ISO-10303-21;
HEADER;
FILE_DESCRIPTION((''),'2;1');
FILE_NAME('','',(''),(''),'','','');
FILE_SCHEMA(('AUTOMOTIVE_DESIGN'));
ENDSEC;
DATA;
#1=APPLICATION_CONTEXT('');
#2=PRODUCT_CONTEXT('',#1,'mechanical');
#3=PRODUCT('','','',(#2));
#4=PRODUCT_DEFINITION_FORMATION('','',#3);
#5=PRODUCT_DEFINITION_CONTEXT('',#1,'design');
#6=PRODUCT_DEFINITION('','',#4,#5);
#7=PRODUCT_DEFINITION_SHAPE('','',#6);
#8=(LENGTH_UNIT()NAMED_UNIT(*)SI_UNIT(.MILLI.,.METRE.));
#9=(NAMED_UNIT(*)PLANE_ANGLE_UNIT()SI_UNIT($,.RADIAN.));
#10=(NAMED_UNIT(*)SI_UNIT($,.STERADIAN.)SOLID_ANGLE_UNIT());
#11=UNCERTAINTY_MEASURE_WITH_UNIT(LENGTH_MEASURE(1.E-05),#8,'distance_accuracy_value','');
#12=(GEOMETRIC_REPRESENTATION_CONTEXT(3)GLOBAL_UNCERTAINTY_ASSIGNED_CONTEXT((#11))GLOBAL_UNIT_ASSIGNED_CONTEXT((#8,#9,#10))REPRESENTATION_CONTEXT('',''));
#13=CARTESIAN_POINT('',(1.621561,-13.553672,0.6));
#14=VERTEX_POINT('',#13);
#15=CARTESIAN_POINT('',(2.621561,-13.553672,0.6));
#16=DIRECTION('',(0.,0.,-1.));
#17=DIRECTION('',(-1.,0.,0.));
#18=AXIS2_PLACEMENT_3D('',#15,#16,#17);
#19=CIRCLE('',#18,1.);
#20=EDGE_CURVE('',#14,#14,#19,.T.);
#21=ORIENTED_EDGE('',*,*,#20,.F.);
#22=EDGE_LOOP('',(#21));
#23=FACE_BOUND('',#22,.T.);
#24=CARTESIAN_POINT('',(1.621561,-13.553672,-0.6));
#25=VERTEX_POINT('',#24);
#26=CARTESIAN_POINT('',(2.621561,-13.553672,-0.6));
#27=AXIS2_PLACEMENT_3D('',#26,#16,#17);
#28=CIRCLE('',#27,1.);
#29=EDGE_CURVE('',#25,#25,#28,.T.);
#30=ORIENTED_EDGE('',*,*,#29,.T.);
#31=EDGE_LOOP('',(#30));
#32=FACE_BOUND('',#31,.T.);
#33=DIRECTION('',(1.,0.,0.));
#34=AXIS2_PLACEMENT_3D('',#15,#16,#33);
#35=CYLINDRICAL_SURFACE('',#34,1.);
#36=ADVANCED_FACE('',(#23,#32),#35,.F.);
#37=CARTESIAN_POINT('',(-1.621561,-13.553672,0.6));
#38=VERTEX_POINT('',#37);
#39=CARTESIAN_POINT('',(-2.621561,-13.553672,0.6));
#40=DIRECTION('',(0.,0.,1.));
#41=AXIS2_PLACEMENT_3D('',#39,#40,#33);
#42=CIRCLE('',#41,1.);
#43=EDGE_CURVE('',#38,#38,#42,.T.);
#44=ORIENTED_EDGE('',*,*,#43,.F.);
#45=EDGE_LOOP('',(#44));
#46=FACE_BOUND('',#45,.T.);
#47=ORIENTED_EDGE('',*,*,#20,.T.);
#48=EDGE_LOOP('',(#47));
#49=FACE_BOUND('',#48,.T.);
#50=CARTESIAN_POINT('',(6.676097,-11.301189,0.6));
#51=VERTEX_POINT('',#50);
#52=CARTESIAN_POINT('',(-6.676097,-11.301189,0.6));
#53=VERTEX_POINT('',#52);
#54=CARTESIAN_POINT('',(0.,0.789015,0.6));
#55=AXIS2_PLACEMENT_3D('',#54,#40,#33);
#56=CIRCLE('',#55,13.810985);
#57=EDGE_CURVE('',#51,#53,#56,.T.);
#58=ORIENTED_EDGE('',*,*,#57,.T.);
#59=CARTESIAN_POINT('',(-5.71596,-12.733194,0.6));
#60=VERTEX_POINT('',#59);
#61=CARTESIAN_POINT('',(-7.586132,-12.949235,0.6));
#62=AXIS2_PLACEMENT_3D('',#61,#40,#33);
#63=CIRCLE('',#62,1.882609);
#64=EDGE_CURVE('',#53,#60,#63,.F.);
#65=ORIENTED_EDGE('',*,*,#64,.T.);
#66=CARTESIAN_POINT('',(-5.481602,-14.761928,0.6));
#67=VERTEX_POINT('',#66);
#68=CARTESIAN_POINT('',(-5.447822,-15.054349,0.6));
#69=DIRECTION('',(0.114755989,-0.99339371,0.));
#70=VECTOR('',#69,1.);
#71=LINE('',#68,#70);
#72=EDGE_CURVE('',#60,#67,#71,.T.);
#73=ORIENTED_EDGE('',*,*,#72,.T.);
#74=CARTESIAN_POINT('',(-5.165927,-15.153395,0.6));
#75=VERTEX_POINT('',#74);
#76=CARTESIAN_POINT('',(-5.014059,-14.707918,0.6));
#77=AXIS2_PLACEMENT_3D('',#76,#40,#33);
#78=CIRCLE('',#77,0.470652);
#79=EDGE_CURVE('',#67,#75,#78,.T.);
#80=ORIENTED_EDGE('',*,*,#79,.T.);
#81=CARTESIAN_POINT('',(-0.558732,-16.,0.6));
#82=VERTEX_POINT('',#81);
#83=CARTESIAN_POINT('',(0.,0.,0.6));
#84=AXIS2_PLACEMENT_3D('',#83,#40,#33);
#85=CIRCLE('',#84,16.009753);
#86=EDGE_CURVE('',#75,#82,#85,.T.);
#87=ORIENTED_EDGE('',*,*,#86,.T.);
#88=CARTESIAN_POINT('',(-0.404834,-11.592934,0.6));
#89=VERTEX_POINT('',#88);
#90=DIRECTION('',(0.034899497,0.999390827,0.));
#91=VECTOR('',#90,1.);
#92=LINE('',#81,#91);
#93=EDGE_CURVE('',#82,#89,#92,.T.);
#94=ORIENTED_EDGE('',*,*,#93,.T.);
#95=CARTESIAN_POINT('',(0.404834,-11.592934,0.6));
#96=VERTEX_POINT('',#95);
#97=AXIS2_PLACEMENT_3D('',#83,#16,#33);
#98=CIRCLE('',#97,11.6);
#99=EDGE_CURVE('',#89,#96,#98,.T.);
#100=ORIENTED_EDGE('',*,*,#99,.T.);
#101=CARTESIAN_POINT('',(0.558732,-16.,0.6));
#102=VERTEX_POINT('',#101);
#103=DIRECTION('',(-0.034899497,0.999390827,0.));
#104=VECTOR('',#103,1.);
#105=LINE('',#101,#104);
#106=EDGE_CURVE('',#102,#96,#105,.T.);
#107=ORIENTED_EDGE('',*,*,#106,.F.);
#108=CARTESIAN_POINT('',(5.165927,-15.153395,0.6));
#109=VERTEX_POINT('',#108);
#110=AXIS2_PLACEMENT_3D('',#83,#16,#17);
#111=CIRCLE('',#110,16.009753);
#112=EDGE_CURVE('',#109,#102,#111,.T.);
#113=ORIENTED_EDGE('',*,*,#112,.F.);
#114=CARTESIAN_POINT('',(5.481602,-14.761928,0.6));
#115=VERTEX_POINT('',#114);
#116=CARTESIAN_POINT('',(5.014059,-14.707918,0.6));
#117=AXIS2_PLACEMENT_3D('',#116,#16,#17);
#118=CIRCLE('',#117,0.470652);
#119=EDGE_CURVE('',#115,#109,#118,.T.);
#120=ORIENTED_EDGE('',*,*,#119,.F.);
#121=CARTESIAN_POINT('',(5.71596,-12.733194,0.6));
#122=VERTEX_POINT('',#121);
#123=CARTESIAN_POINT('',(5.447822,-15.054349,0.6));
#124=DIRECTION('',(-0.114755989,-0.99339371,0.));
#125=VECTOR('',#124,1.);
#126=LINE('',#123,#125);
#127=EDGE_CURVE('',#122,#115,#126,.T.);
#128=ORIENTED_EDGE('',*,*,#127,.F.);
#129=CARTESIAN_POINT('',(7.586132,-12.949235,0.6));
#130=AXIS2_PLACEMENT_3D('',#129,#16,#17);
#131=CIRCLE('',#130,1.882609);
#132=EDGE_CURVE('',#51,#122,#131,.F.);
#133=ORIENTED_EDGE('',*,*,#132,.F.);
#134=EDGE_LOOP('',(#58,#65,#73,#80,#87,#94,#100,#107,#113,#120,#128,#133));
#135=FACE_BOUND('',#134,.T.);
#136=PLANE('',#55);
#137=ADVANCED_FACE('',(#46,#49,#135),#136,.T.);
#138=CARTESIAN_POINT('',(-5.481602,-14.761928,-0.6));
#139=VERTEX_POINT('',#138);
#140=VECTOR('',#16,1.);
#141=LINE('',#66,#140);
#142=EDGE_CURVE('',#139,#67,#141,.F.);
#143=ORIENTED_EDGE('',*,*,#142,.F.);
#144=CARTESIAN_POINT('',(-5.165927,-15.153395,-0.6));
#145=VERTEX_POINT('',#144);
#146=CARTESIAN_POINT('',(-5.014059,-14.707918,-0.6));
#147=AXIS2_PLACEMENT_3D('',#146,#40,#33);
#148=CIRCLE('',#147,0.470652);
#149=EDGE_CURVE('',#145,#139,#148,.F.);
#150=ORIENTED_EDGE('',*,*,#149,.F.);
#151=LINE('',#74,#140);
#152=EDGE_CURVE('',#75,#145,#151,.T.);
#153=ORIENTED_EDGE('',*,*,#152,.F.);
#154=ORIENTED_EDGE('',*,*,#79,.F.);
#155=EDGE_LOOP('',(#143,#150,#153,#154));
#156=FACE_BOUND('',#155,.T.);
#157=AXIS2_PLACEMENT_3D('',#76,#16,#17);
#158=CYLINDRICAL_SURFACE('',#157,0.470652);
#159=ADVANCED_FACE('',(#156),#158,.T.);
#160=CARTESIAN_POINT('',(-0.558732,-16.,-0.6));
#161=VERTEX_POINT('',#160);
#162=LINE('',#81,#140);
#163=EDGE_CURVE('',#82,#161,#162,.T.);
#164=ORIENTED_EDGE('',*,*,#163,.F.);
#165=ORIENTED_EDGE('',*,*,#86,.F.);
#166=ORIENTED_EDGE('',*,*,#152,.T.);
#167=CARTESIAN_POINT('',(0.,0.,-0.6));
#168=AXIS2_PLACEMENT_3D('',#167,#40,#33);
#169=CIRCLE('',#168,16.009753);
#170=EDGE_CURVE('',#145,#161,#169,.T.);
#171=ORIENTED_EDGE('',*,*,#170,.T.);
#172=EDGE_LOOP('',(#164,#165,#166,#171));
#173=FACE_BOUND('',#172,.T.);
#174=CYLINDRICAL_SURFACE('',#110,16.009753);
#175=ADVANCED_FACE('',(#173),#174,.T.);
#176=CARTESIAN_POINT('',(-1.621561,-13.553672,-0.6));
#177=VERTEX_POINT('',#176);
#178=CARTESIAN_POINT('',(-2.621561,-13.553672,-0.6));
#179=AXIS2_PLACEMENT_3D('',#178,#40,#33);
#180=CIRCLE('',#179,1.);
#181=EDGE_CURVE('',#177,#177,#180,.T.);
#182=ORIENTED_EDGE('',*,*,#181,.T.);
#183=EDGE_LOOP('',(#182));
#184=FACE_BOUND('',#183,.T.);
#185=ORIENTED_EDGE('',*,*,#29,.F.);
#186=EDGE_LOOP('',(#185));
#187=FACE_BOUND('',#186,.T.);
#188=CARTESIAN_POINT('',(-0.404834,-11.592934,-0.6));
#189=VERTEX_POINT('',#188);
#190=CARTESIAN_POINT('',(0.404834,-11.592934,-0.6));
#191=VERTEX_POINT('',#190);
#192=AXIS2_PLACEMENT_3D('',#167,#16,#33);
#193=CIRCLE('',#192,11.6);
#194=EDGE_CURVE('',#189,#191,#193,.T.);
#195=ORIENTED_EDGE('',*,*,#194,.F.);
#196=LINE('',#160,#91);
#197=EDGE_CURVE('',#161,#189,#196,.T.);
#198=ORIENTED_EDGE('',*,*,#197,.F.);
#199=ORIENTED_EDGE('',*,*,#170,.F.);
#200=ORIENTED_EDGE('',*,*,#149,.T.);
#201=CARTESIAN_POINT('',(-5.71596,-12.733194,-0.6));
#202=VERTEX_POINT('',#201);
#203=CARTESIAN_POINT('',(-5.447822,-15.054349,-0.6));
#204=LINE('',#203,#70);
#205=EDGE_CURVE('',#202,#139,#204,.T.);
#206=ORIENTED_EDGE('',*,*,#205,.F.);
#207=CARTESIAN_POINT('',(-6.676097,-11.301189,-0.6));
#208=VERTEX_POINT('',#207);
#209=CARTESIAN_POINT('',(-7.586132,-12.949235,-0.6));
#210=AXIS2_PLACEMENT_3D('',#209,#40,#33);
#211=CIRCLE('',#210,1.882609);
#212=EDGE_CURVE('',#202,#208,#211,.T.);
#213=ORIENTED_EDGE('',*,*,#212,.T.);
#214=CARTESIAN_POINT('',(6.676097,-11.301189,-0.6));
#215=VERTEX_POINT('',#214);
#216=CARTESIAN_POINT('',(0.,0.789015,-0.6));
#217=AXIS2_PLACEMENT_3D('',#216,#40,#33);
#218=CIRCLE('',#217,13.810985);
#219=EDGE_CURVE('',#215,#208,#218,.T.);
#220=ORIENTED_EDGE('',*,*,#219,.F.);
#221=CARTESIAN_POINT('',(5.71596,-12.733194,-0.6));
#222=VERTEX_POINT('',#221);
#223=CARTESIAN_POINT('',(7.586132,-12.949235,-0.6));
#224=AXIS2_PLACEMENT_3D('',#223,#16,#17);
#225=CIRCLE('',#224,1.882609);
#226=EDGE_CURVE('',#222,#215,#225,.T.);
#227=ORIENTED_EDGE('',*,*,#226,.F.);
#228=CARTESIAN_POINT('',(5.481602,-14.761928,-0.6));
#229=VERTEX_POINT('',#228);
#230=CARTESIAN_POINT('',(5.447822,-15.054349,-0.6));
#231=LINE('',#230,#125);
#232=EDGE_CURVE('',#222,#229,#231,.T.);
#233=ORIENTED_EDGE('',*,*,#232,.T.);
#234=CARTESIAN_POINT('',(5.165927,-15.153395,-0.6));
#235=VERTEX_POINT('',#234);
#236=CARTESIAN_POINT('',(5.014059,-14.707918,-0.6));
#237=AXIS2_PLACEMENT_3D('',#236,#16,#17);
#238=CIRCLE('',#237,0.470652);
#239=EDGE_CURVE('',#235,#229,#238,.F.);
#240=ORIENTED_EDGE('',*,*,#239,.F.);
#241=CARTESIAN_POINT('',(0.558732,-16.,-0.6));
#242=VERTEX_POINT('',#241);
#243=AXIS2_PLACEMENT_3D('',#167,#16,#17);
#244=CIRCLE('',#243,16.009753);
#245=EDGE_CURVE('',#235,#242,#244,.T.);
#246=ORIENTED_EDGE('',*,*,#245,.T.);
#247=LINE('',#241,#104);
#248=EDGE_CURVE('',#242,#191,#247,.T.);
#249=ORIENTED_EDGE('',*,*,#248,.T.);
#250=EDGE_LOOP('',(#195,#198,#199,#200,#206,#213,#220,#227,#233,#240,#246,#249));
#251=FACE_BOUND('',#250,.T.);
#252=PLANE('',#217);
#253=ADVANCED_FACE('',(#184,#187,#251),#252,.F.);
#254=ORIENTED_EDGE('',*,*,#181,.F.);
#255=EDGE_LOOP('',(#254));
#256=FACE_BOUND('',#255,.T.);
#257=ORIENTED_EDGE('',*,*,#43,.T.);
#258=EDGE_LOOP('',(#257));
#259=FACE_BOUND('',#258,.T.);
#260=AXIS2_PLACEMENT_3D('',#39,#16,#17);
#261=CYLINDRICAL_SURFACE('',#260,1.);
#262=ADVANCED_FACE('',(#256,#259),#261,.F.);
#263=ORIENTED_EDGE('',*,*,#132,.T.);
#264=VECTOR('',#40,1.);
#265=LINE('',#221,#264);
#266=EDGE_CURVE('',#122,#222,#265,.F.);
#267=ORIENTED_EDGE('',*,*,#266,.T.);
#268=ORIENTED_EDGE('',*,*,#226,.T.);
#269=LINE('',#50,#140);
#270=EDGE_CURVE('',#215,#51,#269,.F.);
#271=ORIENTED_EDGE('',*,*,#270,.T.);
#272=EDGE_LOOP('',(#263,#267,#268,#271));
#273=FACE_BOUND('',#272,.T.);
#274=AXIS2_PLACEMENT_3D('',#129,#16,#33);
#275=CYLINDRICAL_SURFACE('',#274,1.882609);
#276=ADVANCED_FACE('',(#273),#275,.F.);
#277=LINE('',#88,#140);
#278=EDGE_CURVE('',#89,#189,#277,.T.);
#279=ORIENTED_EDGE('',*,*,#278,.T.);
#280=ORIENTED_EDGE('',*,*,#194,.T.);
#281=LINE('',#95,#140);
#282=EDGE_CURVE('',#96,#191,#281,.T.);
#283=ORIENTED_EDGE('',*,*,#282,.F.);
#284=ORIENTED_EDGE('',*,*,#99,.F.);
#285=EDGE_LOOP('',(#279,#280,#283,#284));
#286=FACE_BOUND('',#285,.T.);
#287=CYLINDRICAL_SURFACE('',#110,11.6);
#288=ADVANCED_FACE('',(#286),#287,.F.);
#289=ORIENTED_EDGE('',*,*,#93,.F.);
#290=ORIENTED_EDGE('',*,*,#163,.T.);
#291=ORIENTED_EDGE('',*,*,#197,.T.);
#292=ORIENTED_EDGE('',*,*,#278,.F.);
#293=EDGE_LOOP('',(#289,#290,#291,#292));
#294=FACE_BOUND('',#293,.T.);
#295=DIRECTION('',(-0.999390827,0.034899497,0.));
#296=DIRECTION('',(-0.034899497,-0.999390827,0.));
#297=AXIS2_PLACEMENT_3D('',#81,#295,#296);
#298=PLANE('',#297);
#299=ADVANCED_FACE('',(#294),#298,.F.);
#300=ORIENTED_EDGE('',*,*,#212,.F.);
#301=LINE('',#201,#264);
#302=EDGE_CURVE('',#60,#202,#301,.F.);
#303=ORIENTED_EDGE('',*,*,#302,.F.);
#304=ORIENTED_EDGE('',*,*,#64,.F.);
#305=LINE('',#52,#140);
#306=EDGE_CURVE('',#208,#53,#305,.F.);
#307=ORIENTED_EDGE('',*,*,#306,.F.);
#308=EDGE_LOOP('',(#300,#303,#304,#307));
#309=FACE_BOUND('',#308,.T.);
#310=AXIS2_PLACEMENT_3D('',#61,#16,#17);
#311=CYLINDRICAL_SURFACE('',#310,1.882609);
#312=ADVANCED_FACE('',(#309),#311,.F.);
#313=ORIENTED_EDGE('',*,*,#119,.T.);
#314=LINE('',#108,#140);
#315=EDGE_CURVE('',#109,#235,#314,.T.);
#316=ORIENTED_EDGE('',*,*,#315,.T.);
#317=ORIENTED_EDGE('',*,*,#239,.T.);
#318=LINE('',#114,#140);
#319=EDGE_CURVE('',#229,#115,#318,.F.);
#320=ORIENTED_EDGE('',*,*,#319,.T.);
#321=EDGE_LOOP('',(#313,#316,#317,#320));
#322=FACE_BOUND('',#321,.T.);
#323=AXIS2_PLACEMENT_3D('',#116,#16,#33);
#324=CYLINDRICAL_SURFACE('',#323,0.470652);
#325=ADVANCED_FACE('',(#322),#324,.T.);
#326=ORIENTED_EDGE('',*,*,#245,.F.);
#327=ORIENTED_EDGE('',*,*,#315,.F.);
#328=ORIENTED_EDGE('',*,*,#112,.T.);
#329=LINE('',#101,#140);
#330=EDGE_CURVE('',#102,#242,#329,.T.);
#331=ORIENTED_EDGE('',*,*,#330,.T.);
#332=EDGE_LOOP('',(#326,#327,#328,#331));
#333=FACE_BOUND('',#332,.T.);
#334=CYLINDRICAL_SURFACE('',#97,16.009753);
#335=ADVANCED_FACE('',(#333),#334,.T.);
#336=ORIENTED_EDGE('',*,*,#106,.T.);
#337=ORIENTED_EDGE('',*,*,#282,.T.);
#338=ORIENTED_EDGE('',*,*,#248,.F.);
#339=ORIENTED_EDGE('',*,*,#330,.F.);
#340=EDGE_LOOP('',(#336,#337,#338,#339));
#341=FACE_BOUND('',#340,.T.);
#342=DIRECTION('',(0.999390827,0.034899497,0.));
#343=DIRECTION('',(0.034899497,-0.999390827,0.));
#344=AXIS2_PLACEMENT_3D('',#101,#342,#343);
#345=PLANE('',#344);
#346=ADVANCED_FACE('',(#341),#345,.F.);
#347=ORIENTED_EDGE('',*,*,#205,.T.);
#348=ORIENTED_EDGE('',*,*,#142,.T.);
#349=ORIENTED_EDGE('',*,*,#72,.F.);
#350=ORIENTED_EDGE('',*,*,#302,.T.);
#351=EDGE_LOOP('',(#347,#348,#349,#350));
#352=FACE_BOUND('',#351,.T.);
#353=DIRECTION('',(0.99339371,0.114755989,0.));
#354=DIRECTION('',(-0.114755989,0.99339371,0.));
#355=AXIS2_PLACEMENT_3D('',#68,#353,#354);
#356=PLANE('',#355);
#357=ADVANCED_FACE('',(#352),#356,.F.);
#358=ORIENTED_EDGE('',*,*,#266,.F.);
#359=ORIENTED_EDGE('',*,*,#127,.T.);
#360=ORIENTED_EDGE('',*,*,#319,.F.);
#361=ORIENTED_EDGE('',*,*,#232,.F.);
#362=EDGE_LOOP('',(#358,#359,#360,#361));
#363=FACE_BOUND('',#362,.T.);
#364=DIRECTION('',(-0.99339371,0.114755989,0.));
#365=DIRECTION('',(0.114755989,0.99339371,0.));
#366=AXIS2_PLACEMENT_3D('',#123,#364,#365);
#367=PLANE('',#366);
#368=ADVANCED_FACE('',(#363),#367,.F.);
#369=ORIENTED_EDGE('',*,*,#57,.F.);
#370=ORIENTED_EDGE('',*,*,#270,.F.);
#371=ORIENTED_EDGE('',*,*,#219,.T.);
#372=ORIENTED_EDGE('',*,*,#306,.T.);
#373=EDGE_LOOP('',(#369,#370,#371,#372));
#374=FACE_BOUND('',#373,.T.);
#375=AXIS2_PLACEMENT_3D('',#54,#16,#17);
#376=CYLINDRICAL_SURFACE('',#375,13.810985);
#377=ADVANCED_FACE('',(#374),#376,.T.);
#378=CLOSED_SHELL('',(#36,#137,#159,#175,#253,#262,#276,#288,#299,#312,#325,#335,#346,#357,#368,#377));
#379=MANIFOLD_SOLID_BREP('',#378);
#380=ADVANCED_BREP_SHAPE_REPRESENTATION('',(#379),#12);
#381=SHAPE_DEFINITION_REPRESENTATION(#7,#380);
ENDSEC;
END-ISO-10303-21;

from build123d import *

# Parameters (mm, degrees)
SKETCH4_R           = 1
BOSS_EXTRUDE1_DEPTH = 0.6
FILLET1_R           = 1.882609209
FILLET2_R           = 0.470652302


with BuildPart() as part:
    # Sketch4 → Boss-Extrude1 (new, symmetric)
    with BuildSketch(Plane.XY):
        with BuildLine():
            Line((-5.447822247, -15.054348693), (-5.831813432, -11.730300597))
            ThreePointArc((-5.831813432, -11.730300597), (-13.484201658, 3.775587293), (0, 14.6))
            Line((0, 14.6), (0, 11.6))
            ThreePointArc((0, 11.6), (-11.598233264, 0.202447915), (-0.404834162, -11.592933593))
            Line((-0.404834162, -11.592933593), (-0.558732312, -16))
            ThreePointArc((-0.558732312, -16), (-3.040269481, -15.71842687), (-5.447822247, -15.054348693))
        make_face()
        with Locations((-2.621561059, -13.553672151)):
            Circle(SKETCH4_R, mode=Mode.SUBTRACT)
    extrude(amount=BOSS_EXTRUDE1_DEPTH, both=True)

    # Fillet1
    fillet1_edges = [part.edges().sort_by_distance(p)[0] for p in [
        (-5.831813432, -11.730300597, 0),
    ]]
    fillet(fillet1_edges, radius=FILLET1_R)

    # Fillet2
    fillet2_edges = [part.edges().sort_by_distance(p)[0] for p in [
        (-5.447822247, -15.054348693, 0),
    ]]
    fillet(fillet2_edges, radius=FILLET2_R)

    # Mirror1: part across plane


with BuildPart() as part_1:
    add(part.part)
    add(part.part.mirror(Plane(origin=(0, 14.6, 0.6), x_dir=(0, 0, 1), z_dir=(-1, 0, 0))))


solid = part_1.part
